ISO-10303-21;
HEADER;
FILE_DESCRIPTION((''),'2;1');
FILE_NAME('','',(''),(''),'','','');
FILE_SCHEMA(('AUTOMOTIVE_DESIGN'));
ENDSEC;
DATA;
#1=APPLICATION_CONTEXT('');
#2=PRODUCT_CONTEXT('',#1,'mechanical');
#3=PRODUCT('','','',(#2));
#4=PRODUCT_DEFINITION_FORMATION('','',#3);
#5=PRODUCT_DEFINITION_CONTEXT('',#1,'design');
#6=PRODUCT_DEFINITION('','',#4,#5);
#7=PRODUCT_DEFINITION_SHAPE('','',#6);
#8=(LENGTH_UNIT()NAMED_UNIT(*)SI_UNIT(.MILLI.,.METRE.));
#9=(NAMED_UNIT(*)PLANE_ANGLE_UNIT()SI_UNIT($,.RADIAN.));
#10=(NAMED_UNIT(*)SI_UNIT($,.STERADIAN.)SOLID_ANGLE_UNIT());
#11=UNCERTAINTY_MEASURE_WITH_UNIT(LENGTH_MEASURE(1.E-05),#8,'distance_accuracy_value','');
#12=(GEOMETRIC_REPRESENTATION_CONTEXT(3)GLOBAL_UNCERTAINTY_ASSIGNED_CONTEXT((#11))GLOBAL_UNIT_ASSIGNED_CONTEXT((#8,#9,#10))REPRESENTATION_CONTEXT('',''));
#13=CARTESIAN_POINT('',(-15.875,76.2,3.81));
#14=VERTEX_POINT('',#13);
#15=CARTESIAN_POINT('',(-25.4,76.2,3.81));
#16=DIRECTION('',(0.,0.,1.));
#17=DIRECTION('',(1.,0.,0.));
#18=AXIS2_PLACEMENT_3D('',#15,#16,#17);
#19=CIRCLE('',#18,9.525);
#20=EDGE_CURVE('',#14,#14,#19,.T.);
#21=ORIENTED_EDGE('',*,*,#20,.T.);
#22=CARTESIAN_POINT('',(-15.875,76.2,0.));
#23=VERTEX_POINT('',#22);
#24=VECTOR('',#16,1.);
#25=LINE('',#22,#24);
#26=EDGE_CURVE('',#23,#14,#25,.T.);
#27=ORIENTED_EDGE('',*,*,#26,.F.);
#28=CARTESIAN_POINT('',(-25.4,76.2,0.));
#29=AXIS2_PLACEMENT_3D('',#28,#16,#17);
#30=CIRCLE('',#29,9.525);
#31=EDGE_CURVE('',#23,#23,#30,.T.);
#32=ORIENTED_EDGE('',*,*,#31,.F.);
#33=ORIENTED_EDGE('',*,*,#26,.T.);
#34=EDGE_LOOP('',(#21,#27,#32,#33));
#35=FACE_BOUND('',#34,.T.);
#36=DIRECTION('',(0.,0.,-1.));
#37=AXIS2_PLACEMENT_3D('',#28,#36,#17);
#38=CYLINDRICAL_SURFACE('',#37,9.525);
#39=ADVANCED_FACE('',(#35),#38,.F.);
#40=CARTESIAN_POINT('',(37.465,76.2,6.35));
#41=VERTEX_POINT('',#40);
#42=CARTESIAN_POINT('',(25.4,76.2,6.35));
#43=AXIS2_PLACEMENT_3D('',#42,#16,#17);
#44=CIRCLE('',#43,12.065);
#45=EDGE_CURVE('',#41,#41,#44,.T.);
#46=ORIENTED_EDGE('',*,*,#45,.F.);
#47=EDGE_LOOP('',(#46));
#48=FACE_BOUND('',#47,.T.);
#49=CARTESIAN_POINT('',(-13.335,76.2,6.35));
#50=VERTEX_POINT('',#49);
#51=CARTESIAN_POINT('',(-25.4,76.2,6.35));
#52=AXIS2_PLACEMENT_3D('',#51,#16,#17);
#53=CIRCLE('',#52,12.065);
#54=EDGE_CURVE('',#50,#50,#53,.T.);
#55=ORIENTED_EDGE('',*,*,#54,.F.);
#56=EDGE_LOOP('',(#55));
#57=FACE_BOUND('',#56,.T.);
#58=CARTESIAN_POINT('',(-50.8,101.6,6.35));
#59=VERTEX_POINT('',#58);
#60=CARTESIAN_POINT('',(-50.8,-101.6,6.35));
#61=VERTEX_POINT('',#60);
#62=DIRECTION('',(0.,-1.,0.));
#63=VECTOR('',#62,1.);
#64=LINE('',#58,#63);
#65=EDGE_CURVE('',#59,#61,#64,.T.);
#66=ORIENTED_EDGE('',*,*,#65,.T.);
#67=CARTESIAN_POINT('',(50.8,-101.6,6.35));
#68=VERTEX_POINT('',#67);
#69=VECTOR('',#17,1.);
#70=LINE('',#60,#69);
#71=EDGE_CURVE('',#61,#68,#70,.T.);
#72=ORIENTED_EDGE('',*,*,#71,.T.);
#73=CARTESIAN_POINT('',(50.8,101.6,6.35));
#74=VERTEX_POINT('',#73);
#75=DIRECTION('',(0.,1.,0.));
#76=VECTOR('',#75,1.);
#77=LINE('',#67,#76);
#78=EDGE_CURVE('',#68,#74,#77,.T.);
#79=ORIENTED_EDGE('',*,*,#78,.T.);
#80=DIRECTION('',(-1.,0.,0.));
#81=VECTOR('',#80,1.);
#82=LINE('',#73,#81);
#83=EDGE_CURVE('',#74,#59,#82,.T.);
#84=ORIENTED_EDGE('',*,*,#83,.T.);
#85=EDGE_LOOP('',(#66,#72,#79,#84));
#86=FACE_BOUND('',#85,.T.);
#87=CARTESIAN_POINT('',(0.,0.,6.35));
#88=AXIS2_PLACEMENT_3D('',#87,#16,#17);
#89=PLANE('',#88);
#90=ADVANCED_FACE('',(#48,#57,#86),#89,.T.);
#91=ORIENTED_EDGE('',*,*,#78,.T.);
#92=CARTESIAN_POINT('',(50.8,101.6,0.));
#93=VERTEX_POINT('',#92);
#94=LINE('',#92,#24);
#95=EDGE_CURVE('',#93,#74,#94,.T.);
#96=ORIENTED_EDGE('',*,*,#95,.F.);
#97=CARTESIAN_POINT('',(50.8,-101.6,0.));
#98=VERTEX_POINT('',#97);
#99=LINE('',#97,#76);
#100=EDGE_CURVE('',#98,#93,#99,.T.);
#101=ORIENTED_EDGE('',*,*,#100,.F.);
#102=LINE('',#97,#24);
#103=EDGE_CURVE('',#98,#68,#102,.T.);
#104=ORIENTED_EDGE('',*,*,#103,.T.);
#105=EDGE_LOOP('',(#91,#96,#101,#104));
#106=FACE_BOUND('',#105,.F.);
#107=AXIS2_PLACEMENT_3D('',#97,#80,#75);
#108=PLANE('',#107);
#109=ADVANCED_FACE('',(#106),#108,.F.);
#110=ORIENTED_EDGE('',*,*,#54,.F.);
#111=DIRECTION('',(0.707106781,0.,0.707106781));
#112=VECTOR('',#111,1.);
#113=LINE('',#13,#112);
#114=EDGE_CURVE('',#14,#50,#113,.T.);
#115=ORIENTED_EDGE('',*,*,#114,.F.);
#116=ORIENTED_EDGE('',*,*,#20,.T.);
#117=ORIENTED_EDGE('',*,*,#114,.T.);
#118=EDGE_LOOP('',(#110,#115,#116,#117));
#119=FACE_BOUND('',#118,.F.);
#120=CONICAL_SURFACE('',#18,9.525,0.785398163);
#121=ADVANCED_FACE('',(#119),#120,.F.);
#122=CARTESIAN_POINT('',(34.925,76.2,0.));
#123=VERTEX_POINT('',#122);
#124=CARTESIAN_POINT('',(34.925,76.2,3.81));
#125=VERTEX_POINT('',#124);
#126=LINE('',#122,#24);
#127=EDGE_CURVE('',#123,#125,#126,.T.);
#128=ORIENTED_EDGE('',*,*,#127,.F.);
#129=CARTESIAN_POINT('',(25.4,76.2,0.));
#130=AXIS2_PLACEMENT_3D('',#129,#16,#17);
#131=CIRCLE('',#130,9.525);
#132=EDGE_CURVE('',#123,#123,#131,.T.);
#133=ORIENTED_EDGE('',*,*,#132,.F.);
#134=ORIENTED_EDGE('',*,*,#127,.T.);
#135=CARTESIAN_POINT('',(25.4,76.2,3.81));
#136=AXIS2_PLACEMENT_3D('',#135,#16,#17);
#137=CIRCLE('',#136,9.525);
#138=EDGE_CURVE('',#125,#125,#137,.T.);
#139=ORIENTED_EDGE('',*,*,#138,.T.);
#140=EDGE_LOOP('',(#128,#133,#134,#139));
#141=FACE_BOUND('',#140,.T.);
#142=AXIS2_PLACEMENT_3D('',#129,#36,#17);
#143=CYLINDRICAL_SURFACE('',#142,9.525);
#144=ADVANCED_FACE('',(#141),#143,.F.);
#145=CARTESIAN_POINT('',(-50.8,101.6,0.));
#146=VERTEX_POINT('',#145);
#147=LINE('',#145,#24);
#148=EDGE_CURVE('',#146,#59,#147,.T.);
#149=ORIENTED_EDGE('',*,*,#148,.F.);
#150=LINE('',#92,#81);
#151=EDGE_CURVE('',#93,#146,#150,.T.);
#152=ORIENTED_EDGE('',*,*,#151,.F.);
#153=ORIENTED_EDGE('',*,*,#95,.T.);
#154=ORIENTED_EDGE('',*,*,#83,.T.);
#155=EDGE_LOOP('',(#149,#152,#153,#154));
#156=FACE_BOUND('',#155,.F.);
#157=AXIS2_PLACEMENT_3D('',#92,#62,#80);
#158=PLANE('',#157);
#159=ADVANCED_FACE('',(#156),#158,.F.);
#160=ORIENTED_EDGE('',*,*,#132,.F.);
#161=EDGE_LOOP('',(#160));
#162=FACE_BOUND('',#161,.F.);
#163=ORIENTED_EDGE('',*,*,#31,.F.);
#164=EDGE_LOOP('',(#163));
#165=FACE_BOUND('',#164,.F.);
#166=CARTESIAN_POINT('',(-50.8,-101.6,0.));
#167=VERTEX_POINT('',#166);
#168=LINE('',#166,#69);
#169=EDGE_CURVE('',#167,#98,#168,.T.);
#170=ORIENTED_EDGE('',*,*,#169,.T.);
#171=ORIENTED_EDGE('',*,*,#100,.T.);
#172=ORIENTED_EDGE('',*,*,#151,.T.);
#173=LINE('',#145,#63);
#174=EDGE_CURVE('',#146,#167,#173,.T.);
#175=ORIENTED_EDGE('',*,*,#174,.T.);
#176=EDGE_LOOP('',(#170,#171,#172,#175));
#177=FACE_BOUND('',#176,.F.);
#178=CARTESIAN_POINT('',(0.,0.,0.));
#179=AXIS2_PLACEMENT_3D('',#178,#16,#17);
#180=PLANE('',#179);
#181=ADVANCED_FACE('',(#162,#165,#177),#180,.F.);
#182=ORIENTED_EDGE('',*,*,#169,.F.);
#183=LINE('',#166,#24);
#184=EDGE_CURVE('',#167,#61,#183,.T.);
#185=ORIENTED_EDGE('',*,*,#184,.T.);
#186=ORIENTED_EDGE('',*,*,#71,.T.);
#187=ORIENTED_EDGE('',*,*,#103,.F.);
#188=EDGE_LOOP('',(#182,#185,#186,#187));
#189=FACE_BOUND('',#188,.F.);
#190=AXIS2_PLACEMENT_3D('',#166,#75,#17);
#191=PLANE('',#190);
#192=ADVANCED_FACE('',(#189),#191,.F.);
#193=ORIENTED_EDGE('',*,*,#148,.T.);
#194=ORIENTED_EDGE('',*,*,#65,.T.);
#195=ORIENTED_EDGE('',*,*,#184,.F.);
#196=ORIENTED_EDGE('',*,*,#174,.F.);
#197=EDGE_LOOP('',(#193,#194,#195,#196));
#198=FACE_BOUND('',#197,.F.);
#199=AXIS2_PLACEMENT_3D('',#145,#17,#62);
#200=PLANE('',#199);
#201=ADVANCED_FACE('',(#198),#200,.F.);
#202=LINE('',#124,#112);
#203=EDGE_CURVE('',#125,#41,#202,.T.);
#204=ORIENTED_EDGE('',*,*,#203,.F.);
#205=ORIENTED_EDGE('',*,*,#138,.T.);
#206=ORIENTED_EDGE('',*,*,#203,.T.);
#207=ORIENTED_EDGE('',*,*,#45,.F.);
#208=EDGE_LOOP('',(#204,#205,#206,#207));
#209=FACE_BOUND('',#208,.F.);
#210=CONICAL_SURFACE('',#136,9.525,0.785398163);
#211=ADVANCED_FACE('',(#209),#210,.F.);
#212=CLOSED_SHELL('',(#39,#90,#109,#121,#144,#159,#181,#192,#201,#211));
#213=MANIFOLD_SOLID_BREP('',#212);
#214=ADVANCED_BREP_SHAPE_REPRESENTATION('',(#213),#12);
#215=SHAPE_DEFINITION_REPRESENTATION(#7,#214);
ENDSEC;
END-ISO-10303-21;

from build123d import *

# Parameters (mm, degrees)
F0_R     = 9.525
F1_DEPTH = 6.35
F2_SIZE  = 2.54


with BuildPart() as f1:
    # F0 (on Top) → F1 (new body)
    with BuildSketch(Plane.XY):
        Polygon((50.8, 101.6), (-50.8, 101.6), (-50.8, 0), (-50.8, -101.6), (50.8, -101.6), (50.8, 0), align=None)
        with Locations((-25.4, 76.2)):
            Circle(F0_R, mode=Mode.SUBTRACT)
        with Locations((25.4, 76.2)):
            Circle(F0_R, mode=Mode.SUBTRACT)
    extrude(amount=F1_DEPTH)

    # F2
    f2_edges = [f1.edges().sort_by_distance(p)[0] for p in [
        (-34.925, 76.2, 6.35),
        (15.875, 76.2, 6.35),
    ]]
    chamfer(f2_edges, length=F2_SIZE)


solid = f1.part
